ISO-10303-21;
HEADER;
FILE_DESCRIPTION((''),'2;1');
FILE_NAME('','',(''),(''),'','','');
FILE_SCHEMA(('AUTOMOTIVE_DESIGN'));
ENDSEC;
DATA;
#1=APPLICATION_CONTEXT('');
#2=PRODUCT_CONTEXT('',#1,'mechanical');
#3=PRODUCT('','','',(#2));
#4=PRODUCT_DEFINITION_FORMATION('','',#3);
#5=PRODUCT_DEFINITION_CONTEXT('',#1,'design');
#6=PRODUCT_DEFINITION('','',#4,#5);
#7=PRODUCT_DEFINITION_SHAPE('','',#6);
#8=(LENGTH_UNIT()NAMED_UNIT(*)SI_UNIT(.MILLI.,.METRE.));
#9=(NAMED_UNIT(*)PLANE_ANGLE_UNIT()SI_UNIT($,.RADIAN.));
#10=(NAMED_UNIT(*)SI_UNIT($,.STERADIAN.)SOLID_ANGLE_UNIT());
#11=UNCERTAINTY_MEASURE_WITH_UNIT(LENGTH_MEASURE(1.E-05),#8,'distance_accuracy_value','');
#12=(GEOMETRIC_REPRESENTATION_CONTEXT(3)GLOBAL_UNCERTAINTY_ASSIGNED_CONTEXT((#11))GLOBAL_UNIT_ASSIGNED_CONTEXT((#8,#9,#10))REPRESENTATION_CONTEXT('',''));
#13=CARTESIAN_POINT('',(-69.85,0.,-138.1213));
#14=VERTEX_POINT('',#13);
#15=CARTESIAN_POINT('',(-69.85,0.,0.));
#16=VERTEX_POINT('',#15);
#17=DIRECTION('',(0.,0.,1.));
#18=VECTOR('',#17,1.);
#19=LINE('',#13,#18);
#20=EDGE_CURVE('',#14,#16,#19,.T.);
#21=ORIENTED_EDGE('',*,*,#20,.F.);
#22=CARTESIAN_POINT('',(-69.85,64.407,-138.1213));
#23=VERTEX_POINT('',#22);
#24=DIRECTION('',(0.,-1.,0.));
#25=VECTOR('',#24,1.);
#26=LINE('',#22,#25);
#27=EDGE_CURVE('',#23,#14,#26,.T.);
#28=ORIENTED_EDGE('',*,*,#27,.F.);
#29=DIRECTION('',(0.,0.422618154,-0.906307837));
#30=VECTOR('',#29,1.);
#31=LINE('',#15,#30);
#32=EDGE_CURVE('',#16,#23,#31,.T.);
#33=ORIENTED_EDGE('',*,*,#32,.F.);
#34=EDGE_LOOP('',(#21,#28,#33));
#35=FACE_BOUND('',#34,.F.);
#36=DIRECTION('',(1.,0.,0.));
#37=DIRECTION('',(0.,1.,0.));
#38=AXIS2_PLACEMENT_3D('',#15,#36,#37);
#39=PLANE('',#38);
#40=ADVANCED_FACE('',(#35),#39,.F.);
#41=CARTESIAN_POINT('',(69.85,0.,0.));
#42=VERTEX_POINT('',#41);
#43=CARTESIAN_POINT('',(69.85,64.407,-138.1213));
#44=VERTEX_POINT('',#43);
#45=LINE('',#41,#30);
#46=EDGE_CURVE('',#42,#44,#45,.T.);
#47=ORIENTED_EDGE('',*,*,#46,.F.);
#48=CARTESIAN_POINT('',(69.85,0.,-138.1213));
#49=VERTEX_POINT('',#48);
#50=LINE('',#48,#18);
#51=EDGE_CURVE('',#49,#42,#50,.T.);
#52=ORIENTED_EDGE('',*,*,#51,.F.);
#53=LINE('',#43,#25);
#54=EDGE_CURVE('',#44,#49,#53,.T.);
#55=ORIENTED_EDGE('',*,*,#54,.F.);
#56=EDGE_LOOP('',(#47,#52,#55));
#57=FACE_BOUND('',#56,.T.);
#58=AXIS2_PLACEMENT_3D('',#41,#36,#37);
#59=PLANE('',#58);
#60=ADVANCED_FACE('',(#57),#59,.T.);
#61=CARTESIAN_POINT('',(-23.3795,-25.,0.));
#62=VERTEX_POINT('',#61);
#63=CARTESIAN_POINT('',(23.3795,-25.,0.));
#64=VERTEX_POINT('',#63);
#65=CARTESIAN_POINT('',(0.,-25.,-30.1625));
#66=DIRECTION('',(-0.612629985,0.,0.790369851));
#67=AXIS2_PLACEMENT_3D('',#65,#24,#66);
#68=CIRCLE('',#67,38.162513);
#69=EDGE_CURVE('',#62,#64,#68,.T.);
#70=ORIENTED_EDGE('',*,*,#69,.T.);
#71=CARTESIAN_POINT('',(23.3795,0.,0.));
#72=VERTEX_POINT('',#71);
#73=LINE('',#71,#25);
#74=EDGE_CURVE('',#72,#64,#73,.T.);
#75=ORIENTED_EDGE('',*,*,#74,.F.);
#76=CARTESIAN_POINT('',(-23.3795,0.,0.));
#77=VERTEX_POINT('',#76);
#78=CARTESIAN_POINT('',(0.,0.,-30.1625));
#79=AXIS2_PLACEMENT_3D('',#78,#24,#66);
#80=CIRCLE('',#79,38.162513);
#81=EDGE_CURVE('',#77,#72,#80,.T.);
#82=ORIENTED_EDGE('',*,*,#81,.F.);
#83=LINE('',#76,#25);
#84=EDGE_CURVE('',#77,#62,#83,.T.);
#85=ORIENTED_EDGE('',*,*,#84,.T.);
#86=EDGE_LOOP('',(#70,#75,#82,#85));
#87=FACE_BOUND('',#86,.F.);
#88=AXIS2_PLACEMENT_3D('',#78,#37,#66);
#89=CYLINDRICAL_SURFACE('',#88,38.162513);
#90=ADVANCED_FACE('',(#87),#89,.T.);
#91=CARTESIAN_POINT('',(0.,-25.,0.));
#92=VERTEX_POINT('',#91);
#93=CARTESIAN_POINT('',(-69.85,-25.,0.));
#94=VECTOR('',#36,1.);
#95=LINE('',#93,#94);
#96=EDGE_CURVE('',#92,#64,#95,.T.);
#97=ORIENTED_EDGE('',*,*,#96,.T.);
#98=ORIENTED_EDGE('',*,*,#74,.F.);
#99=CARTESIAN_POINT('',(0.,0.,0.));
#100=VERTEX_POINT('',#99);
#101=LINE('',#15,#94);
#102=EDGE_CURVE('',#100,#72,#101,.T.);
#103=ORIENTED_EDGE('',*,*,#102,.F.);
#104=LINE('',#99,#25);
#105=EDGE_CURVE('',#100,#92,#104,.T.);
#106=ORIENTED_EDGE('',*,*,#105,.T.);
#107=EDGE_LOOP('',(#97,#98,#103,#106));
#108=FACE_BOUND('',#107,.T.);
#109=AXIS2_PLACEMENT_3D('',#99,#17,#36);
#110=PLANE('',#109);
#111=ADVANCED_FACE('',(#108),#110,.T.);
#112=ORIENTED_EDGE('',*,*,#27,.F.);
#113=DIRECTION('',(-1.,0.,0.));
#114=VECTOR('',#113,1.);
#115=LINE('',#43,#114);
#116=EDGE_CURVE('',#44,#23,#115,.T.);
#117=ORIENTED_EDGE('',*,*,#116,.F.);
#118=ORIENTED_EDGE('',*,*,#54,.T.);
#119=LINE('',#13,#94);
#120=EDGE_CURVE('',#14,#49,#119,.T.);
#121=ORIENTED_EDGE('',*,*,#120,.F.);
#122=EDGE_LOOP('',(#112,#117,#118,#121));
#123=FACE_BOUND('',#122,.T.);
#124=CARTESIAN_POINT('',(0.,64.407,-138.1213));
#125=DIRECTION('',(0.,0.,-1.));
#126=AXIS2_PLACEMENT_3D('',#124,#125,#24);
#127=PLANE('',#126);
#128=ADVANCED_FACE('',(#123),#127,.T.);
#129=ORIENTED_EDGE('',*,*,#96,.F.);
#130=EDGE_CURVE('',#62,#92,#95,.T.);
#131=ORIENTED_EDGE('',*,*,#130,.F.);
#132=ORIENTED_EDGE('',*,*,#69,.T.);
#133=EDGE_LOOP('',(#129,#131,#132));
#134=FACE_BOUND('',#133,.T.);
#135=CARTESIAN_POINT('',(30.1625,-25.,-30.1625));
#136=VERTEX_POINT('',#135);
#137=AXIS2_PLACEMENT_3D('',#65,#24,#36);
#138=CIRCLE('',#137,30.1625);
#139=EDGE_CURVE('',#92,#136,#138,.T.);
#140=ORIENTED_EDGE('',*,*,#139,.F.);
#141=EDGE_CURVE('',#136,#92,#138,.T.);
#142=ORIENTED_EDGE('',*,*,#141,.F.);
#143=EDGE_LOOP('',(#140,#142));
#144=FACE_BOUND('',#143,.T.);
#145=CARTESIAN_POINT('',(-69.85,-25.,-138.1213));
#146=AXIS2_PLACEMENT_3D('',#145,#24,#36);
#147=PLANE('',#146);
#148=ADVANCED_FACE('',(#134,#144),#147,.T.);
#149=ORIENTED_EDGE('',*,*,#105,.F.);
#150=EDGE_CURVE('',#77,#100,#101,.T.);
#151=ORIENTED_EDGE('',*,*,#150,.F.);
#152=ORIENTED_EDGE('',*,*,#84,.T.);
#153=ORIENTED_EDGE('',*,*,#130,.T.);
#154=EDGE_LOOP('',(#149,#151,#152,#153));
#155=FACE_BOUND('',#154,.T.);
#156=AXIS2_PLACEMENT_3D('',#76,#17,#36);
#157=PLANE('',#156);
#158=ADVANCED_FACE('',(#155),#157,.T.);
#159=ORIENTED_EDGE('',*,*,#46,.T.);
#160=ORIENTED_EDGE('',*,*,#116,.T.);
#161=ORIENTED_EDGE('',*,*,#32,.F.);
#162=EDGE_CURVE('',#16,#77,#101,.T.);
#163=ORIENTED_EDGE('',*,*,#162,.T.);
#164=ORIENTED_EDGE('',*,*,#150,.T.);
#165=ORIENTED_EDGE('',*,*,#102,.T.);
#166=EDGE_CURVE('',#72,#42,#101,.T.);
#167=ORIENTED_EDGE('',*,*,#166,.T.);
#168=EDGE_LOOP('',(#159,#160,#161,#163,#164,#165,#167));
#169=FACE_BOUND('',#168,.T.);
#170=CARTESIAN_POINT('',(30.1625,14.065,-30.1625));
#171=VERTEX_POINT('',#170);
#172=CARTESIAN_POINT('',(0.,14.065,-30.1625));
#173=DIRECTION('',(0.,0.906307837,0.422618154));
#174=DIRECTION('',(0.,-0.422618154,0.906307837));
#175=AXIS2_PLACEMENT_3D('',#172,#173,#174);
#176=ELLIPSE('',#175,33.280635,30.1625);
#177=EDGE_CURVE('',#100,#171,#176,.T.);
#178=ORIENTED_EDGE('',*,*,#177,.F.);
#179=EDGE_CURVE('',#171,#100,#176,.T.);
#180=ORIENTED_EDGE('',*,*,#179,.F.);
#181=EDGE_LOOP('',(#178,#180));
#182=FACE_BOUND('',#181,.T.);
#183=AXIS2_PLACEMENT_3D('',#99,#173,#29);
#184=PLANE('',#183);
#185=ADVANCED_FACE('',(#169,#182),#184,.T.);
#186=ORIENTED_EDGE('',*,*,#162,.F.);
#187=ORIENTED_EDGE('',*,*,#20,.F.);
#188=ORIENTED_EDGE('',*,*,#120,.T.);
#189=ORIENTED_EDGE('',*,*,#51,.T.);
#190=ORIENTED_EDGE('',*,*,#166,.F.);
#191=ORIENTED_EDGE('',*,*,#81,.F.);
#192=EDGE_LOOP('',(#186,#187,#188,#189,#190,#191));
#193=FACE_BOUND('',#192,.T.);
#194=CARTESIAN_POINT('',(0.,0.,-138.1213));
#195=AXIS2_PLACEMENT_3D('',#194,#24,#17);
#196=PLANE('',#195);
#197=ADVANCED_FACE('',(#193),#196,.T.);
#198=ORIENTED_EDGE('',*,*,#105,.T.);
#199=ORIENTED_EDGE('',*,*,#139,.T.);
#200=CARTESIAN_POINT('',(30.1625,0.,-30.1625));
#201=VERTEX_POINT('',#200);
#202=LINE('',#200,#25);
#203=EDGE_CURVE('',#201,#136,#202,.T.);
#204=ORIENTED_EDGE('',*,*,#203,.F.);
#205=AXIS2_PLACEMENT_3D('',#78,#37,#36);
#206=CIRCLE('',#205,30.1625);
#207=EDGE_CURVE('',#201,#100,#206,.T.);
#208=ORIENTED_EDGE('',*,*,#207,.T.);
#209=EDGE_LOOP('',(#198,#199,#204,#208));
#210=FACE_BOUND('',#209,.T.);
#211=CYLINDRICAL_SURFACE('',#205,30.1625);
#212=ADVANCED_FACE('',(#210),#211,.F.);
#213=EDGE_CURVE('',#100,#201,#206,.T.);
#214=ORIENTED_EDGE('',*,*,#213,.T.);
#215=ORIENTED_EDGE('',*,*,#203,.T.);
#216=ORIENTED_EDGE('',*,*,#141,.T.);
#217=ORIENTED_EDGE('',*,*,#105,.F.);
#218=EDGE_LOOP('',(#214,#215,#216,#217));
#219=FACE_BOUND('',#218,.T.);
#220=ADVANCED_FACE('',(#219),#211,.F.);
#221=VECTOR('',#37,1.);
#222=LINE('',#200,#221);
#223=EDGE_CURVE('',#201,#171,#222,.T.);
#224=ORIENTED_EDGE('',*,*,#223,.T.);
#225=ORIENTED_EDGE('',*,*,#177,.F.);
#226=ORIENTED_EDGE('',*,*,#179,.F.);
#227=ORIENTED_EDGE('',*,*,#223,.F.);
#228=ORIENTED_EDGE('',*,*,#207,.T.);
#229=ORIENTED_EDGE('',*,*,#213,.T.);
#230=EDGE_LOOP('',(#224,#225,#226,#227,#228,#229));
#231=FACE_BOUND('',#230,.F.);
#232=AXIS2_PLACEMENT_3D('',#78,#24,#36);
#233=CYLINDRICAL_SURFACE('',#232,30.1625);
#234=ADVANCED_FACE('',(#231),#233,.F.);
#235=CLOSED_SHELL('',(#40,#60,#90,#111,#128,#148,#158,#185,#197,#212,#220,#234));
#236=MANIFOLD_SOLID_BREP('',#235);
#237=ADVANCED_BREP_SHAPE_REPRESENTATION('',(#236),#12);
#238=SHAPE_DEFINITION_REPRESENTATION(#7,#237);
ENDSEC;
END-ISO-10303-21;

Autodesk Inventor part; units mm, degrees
ref_plane "YZ Plane" through (0, 0, 0) normal (1, 0, 0) x (0, 1, 0)
ref_plane "XZ Plane" through (0, 0, 0) normal (0, 1, 0) x (-1, 0, 0)
ref_plane "XY Plane" through (0, 0, 0) normal (0, 0, 1) x (1, 0, 0)
sketch "Sketch65" plane through (0, 0, 0) normal (1, 0, 0) x (0, 1, 0)
  line L0 (0, 0) -> (64.407, -138.1213)
  line L1 (64.407, -138.1213) -> (0, -138.1213)
  line L2 (0, -138.1213) -> (0, 0)
  dimension "d335" = 25
  dimension "d349" = 152.4
extrude "Extrusion34" add sketch "Sketch65" along normal mid plane 139.7
sketch "Sketch67" plane through (-69.85, 0, -138.1213) normal (0, -1, 0) x (1, 0, 0)
  line L0 (69.85, 138.1213) -> (69.85, 0) construction
  line L1 (0, 0) -> (139.7, 0) construction
  line L2 (0, 138.1213) -> (139.7, 138.1213) projected
  line L3 (139.7, 138.1213) -> (139.7, 0) projected
  line L4 (0, 0) -> (0, 138.1213) projected
  circle A0 centre (69.85, 107.9588) radius 30.1625
  arc A1 (46.4705, 138.1213) -> (93.2295, 138.1213) centre (69.85, 107.9588) ccw
  line L5 (93.2295, 138.1213) -> (69.85, 138.1213)
  line L6 (69.85, 138.1213) -> (46.4705, 138.1213)
  circle A2 centre (69.85, 107.9588) radius 22.1625
  dimension "d338" = 60.325
  dimension "d339" = 8
  dimension "d344" = 8
extrude "Extrusion37" cut sketch "Sketch67" against normal through all contours A0 | A2
extrude "Extrusion38" add sketch "Sketch67" along normal blind 25 contours L2 A1
equation "\"wallThickness\" = 8"
equation "\"twoByFourWidth\" = 40.64"
equation "\"twoByFourDepth\" = 84.1375"
equation "\"azimuth\" = 55deg"
equation "\"elevationOfTwoByFour\" = 20deg"
equation "\"depthOfExtrusionForMatingToLowerHalf\" = 12.5"
equation "\"depthForWasherForMatingToCase\" = 14"
equation "\"pvc2InchPipeInsideDiameter\" = 52.5018"
equation "\"pvc2InchPipeOutsideDiameter\" = 60.325"
equation "\"pvcPipeInsertDepth\" = 25"
equation "\"outsideDiameterOfPipe\" = 88.9"
equation "\"insideDiameterOfPipe\" = 76.2"
equation "\"outsideDiameterOfPart\" = 114.3"
equation "\"pvc3InchPipeOutsideDiameter\" = 88.9"
properties part number "bottomAttachementFor2InchPvcPipe" material "PC/ABS Plastic"
